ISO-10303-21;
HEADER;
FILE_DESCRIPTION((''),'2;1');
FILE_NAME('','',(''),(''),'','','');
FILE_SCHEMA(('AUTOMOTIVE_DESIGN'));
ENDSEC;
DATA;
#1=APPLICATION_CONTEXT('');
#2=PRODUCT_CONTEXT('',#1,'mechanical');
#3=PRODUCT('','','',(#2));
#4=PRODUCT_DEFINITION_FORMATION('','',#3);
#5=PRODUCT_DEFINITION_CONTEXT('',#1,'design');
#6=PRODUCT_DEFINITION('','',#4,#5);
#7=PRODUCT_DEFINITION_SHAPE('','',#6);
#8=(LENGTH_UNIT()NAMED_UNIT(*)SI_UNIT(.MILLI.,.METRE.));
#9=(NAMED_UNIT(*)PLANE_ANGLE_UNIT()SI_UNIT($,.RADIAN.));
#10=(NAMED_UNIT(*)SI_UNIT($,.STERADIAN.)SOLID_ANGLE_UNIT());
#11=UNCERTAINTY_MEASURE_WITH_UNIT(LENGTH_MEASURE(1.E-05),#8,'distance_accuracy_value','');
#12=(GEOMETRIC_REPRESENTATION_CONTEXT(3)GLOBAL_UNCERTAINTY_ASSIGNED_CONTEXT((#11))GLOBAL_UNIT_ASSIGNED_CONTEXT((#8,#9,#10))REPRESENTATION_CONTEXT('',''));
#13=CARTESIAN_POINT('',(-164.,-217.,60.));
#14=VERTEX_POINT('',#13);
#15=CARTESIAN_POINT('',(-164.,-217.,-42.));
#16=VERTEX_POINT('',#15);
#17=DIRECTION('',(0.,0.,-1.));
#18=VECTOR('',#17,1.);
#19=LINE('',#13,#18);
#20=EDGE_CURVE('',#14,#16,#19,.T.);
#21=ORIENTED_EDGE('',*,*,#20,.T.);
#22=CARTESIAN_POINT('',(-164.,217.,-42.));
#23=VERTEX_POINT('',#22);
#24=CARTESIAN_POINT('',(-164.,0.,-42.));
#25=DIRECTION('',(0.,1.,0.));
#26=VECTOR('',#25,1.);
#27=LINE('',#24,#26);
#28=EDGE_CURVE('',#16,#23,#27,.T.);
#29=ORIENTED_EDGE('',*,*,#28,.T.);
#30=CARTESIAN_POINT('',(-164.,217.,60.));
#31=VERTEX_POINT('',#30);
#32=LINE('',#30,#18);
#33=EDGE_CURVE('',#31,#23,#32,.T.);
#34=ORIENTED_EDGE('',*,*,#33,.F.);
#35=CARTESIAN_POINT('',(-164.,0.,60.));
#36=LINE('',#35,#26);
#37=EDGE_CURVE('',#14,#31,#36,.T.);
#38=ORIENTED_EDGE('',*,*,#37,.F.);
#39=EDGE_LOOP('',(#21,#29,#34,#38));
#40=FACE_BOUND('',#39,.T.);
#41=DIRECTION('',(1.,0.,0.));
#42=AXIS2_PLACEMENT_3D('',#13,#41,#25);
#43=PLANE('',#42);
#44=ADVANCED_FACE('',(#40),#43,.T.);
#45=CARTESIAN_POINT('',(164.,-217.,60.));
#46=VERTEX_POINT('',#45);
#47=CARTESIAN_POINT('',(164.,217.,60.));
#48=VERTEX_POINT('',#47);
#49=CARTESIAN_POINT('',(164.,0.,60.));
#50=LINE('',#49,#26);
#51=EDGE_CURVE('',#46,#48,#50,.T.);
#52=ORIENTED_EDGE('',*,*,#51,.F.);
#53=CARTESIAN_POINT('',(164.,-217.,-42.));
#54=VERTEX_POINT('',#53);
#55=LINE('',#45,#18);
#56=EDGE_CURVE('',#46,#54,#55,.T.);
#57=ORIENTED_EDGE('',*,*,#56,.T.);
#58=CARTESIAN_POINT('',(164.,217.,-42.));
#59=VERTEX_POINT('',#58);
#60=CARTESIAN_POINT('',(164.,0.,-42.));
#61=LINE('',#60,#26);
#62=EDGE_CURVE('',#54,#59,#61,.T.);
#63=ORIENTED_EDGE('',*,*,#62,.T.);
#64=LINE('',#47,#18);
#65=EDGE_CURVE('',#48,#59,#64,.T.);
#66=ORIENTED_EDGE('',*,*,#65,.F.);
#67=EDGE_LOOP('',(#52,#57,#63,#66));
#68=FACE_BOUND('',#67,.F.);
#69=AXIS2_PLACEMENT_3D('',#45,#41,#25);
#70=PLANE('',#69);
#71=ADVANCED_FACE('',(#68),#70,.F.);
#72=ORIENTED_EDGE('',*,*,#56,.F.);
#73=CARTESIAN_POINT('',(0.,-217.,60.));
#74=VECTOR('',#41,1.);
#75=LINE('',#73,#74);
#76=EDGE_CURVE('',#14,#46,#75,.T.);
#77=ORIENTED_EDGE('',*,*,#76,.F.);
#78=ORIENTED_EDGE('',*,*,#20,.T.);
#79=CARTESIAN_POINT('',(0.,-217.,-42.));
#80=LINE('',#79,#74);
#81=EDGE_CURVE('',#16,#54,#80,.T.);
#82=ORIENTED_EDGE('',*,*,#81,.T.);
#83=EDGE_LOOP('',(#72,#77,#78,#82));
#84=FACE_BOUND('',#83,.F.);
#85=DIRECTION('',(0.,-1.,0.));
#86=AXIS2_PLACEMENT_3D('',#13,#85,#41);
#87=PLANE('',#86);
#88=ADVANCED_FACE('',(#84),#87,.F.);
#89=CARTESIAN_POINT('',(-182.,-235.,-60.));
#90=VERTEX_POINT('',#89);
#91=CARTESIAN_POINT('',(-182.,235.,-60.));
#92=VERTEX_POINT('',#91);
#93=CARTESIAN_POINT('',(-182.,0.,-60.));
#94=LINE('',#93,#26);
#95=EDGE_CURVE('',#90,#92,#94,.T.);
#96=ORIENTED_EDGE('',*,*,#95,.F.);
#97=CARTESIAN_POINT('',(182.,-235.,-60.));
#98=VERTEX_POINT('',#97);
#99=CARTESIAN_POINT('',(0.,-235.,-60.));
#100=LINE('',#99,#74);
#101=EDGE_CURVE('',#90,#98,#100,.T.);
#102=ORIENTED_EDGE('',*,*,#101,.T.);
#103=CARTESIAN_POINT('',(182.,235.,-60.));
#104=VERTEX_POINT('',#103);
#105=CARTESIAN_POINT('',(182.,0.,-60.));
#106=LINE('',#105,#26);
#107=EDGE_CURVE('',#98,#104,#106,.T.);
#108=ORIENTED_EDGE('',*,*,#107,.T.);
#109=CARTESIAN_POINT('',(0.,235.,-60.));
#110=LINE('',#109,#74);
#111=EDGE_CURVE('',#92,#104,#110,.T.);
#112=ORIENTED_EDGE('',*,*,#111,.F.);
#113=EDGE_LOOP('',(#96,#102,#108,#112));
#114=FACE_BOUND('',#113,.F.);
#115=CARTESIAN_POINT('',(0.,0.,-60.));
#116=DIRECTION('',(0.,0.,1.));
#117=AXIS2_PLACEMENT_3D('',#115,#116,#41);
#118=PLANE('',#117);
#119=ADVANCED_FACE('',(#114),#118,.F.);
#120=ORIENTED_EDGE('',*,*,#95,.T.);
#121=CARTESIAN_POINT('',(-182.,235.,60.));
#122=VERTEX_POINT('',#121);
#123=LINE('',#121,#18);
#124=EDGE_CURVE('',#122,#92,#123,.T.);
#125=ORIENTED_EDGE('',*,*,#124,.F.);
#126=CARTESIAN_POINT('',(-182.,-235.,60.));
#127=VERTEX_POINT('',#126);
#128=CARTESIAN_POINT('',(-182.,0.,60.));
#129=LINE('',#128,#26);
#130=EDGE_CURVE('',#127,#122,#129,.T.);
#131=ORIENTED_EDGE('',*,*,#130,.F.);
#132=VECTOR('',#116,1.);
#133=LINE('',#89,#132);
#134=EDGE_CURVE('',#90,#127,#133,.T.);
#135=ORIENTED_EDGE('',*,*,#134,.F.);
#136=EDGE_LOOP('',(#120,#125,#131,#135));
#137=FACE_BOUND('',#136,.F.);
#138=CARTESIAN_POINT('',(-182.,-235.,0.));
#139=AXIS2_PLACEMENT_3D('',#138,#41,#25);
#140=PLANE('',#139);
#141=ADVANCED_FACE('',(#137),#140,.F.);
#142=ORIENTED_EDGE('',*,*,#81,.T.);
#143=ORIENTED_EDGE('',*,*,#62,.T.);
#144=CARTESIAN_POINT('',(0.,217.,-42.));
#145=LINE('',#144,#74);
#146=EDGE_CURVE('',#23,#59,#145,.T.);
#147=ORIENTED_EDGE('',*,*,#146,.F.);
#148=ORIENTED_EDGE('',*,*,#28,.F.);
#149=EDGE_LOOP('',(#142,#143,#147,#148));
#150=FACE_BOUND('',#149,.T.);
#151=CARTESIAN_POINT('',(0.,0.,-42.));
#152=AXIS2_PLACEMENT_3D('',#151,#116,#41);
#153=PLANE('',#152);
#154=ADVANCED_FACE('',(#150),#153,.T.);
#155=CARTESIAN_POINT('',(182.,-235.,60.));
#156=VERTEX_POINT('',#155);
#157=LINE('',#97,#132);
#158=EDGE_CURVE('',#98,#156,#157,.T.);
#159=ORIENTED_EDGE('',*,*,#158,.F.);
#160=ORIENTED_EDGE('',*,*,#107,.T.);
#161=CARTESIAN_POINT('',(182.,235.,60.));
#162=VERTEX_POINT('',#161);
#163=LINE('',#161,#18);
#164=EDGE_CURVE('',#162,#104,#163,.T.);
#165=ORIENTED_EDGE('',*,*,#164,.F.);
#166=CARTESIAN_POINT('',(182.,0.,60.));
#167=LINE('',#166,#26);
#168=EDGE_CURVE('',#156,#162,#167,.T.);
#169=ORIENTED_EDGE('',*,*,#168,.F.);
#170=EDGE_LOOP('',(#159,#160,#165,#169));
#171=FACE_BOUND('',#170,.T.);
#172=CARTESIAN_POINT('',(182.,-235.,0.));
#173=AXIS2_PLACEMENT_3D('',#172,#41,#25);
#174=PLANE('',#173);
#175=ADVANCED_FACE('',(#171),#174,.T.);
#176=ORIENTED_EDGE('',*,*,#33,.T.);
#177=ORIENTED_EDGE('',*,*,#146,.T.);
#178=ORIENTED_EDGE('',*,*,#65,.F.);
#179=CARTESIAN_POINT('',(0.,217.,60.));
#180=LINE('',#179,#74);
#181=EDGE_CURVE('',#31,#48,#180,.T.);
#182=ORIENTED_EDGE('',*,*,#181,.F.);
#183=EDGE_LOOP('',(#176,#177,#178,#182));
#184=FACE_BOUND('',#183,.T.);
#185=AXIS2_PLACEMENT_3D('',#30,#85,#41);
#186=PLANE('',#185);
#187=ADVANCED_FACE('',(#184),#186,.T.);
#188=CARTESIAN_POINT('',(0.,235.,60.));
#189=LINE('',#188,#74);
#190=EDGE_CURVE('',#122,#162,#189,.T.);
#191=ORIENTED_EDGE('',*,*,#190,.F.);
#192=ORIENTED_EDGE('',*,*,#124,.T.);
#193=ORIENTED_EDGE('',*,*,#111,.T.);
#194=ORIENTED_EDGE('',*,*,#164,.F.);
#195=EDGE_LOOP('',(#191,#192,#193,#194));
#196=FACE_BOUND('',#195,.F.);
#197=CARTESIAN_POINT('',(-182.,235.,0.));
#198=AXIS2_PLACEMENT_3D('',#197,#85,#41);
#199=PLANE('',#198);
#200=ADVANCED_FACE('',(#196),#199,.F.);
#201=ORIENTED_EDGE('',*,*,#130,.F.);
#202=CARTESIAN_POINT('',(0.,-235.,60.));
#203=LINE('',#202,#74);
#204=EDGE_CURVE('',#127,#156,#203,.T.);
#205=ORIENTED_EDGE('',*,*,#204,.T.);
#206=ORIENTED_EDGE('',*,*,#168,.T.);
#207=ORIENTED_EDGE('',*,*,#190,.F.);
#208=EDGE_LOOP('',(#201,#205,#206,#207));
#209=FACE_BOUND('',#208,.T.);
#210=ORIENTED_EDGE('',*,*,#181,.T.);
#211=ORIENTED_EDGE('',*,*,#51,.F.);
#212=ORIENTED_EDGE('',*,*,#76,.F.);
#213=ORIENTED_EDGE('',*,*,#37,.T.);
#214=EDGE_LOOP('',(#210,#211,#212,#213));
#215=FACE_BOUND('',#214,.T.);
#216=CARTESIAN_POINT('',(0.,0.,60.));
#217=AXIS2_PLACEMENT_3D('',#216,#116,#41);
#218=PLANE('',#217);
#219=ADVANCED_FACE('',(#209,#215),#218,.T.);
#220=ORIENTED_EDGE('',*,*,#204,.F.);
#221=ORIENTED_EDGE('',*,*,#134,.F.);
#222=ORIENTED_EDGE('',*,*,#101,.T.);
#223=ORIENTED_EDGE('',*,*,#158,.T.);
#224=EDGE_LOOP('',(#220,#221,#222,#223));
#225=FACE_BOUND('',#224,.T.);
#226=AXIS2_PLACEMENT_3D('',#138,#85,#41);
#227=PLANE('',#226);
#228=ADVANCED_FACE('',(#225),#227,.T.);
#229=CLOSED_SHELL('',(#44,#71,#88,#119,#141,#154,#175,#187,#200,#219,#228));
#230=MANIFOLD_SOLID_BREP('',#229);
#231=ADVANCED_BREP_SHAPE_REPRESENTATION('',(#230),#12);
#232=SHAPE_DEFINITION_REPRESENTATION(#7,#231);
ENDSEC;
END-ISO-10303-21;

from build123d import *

# Parameters (mm, degrees)
F0_W     = 364
F0_H     = 470
F1_DEPTH = 60
F2_W     = 328
F2_H     = 434
F3_DEPTH = 102


with BuildPart() as f1:
    # F0 (on Top) → F1 (new body, symmetric)
    with BuildSketch(Plane.XY):
        Rectangle(F0_W, F0_H)
    extrude(amount=F1_DEPTH, both=True)

    # F2 (on face) → F3 (cut)
    with BuildSketch(Plane.XY.offset(60)):
        Rectangle(F2_W, F2_H)
    extrude(amount=-F3_DEPTH, mode=Mode.SUBTRACT)


solid = f1.part
